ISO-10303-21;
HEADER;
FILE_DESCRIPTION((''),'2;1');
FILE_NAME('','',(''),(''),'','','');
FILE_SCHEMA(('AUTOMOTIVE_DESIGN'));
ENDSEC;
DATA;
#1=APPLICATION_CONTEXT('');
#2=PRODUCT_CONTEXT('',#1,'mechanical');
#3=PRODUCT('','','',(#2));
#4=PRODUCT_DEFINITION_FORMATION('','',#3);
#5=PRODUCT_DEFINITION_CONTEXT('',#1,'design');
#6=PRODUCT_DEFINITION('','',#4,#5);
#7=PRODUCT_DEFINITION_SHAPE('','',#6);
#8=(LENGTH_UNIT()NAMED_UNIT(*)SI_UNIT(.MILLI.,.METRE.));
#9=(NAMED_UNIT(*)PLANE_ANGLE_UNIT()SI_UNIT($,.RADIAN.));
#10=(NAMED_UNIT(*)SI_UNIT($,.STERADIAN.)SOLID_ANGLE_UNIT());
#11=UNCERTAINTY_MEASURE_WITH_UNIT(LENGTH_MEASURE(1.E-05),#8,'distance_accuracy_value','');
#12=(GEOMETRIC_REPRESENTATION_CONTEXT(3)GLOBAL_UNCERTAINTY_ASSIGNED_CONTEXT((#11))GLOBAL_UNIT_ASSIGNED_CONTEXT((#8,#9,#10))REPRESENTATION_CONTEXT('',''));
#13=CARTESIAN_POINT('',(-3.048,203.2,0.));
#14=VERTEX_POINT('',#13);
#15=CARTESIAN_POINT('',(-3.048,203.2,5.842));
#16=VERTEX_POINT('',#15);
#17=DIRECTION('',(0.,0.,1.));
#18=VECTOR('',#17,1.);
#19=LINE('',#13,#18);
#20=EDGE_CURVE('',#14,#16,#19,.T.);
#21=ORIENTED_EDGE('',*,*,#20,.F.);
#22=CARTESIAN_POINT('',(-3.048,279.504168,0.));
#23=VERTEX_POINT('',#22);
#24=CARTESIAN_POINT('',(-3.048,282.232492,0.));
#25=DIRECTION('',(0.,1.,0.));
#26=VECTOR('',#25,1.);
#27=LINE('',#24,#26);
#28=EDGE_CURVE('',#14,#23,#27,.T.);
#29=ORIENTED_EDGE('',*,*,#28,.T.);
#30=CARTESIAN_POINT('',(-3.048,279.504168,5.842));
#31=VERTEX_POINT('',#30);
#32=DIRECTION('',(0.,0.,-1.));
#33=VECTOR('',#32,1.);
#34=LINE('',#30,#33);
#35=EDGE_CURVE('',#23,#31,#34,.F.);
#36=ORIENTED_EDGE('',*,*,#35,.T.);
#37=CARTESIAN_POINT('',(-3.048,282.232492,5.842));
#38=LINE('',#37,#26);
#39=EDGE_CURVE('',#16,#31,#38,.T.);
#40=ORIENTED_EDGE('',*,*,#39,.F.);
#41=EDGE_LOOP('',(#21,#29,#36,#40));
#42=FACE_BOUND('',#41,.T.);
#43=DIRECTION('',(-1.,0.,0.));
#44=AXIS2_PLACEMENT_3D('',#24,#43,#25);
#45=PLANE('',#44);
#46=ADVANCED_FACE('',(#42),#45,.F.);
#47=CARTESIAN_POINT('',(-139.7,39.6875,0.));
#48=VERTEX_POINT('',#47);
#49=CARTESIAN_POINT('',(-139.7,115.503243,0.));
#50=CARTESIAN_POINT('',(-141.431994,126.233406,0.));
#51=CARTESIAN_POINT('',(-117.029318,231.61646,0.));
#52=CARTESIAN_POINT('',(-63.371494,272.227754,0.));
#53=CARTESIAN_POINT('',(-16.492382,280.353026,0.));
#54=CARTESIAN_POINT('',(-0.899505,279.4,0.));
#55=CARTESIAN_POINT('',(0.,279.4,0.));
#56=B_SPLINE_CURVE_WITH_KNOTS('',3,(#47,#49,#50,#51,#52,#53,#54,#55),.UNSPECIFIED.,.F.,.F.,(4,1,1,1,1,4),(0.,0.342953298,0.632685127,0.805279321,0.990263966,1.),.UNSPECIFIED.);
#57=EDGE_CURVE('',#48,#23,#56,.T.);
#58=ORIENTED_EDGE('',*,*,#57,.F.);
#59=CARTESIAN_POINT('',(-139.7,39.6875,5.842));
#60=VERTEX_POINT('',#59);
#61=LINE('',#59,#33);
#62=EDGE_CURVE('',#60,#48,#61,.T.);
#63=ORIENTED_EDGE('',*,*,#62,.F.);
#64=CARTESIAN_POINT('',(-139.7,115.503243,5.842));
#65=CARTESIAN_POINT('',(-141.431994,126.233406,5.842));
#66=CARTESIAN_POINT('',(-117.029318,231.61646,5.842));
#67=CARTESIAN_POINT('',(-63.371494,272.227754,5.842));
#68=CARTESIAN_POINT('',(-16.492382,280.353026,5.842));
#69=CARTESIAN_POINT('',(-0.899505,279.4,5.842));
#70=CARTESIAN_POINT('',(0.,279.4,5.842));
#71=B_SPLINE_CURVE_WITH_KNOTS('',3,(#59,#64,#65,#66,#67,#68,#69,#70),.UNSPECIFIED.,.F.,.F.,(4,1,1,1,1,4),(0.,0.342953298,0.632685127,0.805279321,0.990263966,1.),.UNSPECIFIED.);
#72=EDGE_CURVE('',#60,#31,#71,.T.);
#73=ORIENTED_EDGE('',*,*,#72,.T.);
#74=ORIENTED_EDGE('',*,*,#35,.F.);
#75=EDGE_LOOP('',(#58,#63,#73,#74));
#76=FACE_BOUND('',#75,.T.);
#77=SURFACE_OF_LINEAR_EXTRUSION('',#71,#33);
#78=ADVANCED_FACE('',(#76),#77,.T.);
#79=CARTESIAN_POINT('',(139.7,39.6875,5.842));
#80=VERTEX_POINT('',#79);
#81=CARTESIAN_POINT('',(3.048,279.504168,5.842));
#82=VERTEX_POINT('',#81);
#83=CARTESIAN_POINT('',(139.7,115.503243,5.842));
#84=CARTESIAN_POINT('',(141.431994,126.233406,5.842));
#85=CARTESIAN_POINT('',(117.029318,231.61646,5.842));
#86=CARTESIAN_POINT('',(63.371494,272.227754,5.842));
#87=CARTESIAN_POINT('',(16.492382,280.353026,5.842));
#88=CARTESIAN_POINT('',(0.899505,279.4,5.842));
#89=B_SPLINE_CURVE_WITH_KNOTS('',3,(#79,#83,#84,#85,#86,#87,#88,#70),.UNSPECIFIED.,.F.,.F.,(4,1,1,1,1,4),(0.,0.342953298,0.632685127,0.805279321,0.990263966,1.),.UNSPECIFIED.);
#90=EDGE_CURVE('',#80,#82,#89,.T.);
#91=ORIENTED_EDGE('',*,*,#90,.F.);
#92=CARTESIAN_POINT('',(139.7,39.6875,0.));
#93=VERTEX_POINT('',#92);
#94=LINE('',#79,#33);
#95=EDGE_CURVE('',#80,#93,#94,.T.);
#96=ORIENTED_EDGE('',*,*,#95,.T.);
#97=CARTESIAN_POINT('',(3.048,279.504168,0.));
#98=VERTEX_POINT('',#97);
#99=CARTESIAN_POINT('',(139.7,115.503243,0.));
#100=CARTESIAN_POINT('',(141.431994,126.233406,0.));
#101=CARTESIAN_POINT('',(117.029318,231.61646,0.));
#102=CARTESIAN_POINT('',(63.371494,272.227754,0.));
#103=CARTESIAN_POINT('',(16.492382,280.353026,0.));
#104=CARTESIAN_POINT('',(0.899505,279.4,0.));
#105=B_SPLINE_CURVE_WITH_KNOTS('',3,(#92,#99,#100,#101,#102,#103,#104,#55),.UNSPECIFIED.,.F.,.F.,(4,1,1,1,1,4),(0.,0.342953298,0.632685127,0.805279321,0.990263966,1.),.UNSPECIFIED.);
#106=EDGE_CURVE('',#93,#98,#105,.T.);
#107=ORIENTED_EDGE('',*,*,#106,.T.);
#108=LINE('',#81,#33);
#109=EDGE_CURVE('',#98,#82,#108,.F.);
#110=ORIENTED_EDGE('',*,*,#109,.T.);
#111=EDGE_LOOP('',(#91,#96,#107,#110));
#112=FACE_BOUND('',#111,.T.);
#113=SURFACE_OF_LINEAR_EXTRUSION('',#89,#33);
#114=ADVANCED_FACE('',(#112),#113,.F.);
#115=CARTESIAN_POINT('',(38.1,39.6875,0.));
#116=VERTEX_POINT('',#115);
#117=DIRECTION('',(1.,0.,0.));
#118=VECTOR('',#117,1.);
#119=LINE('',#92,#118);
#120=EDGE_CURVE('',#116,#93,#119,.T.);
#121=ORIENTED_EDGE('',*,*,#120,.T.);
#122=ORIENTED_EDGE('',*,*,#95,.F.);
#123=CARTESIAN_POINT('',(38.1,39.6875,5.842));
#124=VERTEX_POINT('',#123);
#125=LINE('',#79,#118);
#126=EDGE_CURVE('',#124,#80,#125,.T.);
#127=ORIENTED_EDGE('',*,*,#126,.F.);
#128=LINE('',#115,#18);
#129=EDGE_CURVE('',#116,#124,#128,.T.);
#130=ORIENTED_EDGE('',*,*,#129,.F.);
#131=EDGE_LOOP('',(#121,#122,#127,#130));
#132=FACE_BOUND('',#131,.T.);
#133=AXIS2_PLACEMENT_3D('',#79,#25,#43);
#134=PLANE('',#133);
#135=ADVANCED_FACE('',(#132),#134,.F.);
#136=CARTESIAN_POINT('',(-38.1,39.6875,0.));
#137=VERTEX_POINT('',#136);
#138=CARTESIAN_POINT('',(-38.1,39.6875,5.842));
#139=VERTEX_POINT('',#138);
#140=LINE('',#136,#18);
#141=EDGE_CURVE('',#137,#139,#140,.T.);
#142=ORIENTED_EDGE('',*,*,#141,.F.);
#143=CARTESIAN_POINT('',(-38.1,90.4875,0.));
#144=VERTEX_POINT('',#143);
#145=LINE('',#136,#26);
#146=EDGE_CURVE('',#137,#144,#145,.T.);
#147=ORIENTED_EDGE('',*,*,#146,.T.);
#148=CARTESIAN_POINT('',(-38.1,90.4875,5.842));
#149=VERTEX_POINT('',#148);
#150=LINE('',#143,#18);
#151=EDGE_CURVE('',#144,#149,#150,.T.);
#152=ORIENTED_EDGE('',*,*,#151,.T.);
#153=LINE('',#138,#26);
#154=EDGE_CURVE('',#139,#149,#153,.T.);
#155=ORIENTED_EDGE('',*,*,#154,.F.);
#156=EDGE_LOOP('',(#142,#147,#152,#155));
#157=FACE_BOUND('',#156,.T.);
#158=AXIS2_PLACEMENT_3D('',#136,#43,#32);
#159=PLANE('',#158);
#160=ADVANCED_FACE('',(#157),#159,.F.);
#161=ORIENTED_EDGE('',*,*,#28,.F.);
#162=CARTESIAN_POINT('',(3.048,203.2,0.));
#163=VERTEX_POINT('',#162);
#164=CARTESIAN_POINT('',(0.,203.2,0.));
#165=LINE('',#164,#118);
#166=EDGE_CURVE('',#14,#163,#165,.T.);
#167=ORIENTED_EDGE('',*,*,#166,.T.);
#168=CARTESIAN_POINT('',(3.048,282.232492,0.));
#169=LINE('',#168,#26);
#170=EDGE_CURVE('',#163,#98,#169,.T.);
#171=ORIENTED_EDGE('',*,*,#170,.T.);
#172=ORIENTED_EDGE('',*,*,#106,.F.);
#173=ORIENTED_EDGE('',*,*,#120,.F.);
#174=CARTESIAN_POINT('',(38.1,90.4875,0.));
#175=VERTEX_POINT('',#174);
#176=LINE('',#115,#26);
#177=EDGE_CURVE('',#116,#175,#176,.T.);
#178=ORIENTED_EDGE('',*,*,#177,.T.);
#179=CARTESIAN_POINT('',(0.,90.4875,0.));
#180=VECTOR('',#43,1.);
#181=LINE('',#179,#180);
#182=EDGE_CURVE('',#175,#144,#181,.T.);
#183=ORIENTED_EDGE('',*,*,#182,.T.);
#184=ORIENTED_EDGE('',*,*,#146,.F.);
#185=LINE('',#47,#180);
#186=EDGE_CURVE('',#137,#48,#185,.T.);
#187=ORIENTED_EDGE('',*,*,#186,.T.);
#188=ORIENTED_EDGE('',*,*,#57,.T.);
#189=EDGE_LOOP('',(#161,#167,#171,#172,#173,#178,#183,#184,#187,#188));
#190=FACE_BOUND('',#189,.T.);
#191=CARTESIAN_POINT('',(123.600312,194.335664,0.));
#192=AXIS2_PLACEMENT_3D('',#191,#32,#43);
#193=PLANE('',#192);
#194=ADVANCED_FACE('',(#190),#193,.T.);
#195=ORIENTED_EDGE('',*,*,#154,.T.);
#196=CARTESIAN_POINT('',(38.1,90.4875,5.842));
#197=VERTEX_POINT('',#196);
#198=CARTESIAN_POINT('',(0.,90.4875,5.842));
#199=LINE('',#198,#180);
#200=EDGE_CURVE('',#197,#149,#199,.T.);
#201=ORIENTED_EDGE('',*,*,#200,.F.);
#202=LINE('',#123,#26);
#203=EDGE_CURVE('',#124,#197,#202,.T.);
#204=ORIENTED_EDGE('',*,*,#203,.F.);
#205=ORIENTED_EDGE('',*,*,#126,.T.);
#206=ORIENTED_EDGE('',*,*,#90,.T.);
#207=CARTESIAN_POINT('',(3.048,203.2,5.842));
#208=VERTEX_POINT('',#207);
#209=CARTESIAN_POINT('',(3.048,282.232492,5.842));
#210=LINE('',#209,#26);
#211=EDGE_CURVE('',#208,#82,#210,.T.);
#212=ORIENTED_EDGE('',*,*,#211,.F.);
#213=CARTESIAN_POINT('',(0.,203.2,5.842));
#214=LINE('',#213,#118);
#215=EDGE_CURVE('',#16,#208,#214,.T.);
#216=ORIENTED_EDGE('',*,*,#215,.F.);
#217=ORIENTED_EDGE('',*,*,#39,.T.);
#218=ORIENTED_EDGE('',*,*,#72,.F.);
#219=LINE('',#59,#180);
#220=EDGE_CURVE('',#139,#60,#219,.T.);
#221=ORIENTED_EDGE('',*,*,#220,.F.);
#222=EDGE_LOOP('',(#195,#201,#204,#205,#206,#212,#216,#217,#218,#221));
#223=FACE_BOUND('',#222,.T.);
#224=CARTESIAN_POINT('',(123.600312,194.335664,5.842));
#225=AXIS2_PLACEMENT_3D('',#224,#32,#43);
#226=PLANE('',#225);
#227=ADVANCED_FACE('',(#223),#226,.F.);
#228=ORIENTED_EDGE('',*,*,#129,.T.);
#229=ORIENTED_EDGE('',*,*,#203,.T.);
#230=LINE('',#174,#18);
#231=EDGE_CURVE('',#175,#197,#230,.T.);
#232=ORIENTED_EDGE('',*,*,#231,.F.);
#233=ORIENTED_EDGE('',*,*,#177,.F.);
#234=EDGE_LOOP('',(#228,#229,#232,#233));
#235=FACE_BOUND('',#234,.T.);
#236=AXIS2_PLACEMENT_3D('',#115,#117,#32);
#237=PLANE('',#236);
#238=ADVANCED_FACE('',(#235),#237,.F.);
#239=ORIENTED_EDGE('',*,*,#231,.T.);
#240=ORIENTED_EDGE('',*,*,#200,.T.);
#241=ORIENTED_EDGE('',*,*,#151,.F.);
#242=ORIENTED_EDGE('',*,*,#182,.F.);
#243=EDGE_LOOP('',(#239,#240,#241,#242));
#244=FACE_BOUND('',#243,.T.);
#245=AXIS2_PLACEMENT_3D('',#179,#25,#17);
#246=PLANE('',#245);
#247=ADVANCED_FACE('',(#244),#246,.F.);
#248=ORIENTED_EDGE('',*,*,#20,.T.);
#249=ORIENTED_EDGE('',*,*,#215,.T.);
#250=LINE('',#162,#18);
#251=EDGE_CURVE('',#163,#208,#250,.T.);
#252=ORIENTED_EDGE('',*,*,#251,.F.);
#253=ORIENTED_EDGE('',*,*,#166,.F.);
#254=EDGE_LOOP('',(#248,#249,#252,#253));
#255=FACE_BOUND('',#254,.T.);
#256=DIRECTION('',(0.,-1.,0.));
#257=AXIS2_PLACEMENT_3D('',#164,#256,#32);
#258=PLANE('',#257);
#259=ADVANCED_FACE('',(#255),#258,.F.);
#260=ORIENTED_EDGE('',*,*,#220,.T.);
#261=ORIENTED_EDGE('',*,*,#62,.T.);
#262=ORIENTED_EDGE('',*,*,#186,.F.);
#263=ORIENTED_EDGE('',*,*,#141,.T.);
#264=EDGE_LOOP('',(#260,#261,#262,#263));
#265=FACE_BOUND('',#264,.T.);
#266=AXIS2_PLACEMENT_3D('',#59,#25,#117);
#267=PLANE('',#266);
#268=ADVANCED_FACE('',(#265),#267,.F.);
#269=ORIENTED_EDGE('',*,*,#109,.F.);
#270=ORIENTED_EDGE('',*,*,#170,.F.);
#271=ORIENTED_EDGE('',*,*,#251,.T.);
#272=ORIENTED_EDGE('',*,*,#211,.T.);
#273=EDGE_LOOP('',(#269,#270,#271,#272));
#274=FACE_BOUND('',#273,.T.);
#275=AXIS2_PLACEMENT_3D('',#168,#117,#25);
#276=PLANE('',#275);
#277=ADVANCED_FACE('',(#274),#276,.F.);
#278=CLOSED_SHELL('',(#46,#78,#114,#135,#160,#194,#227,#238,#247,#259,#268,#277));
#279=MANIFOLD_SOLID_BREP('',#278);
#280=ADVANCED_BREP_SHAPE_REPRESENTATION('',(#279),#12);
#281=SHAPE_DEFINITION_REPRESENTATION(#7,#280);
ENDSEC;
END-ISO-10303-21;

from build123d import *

# Parameters (mm, degrees)
BOSS_EXTRUDE1_DEPTH = 5.842
SKETCH3_W           = 38.1
SKETCH3_H           = 50.8
CUT_EXTRUDE1_DEPTH  = 313.597261712


with BuildPart() as part:
    # Sketch2 → Boss-Extrude1 (new body)
    with BuildSketch(Plane.XY):
        with BuildLine():
            Line((139.7, 39.6875), (0, 39.6875))
            Line((0, 39.6875), (0, 279.4))
            add(Edge.make_bspline(
                [(0, 279.4), (0.899505202, 279.4), (16.492381926, 280.353025588), (63.371494318, 272.22775417), (117.029317673, 231.616459975), (141.431993663, 126.233406498), (139.7, 115.50324322), (139.7, 39.6875)],
                knots=[0, 0, 0, 0, 0.009736034, 0.194720679, 0.367314873, 0.657046702, 1, 1, 1, 1], degree=3))
        make_face()
    extrude(amount=BOSS_EXTRUDE1_DEPTH)

    # Sketch3 → Cut-Extrude1 (cut, through all)
    with BuildSketch(Plane.XY.offset(5.842)):
        Polygon((0, 279.4), (0, 282.23249209), (3.048, 282.23249209), (3.048, 203.2), (0, 203.2), align=None)
        with Locations((19.05, 65.0875)):
            Rectangle(SKETCH3_W, SKETCH3_H)
    extrude(amount=-CUT_EXTRUDE1_DEPTH, mode=Mode.SUBTRACT)

    # Mirror1: part across plane


with BuildPart() as part_1:
    add(part.part)
    add(part.part.mirror(Plane(origin=(0, 0, 0), x_dir=(0, 0, 1), z_dir=(1, 0, 0))))


solid = part_1.part
